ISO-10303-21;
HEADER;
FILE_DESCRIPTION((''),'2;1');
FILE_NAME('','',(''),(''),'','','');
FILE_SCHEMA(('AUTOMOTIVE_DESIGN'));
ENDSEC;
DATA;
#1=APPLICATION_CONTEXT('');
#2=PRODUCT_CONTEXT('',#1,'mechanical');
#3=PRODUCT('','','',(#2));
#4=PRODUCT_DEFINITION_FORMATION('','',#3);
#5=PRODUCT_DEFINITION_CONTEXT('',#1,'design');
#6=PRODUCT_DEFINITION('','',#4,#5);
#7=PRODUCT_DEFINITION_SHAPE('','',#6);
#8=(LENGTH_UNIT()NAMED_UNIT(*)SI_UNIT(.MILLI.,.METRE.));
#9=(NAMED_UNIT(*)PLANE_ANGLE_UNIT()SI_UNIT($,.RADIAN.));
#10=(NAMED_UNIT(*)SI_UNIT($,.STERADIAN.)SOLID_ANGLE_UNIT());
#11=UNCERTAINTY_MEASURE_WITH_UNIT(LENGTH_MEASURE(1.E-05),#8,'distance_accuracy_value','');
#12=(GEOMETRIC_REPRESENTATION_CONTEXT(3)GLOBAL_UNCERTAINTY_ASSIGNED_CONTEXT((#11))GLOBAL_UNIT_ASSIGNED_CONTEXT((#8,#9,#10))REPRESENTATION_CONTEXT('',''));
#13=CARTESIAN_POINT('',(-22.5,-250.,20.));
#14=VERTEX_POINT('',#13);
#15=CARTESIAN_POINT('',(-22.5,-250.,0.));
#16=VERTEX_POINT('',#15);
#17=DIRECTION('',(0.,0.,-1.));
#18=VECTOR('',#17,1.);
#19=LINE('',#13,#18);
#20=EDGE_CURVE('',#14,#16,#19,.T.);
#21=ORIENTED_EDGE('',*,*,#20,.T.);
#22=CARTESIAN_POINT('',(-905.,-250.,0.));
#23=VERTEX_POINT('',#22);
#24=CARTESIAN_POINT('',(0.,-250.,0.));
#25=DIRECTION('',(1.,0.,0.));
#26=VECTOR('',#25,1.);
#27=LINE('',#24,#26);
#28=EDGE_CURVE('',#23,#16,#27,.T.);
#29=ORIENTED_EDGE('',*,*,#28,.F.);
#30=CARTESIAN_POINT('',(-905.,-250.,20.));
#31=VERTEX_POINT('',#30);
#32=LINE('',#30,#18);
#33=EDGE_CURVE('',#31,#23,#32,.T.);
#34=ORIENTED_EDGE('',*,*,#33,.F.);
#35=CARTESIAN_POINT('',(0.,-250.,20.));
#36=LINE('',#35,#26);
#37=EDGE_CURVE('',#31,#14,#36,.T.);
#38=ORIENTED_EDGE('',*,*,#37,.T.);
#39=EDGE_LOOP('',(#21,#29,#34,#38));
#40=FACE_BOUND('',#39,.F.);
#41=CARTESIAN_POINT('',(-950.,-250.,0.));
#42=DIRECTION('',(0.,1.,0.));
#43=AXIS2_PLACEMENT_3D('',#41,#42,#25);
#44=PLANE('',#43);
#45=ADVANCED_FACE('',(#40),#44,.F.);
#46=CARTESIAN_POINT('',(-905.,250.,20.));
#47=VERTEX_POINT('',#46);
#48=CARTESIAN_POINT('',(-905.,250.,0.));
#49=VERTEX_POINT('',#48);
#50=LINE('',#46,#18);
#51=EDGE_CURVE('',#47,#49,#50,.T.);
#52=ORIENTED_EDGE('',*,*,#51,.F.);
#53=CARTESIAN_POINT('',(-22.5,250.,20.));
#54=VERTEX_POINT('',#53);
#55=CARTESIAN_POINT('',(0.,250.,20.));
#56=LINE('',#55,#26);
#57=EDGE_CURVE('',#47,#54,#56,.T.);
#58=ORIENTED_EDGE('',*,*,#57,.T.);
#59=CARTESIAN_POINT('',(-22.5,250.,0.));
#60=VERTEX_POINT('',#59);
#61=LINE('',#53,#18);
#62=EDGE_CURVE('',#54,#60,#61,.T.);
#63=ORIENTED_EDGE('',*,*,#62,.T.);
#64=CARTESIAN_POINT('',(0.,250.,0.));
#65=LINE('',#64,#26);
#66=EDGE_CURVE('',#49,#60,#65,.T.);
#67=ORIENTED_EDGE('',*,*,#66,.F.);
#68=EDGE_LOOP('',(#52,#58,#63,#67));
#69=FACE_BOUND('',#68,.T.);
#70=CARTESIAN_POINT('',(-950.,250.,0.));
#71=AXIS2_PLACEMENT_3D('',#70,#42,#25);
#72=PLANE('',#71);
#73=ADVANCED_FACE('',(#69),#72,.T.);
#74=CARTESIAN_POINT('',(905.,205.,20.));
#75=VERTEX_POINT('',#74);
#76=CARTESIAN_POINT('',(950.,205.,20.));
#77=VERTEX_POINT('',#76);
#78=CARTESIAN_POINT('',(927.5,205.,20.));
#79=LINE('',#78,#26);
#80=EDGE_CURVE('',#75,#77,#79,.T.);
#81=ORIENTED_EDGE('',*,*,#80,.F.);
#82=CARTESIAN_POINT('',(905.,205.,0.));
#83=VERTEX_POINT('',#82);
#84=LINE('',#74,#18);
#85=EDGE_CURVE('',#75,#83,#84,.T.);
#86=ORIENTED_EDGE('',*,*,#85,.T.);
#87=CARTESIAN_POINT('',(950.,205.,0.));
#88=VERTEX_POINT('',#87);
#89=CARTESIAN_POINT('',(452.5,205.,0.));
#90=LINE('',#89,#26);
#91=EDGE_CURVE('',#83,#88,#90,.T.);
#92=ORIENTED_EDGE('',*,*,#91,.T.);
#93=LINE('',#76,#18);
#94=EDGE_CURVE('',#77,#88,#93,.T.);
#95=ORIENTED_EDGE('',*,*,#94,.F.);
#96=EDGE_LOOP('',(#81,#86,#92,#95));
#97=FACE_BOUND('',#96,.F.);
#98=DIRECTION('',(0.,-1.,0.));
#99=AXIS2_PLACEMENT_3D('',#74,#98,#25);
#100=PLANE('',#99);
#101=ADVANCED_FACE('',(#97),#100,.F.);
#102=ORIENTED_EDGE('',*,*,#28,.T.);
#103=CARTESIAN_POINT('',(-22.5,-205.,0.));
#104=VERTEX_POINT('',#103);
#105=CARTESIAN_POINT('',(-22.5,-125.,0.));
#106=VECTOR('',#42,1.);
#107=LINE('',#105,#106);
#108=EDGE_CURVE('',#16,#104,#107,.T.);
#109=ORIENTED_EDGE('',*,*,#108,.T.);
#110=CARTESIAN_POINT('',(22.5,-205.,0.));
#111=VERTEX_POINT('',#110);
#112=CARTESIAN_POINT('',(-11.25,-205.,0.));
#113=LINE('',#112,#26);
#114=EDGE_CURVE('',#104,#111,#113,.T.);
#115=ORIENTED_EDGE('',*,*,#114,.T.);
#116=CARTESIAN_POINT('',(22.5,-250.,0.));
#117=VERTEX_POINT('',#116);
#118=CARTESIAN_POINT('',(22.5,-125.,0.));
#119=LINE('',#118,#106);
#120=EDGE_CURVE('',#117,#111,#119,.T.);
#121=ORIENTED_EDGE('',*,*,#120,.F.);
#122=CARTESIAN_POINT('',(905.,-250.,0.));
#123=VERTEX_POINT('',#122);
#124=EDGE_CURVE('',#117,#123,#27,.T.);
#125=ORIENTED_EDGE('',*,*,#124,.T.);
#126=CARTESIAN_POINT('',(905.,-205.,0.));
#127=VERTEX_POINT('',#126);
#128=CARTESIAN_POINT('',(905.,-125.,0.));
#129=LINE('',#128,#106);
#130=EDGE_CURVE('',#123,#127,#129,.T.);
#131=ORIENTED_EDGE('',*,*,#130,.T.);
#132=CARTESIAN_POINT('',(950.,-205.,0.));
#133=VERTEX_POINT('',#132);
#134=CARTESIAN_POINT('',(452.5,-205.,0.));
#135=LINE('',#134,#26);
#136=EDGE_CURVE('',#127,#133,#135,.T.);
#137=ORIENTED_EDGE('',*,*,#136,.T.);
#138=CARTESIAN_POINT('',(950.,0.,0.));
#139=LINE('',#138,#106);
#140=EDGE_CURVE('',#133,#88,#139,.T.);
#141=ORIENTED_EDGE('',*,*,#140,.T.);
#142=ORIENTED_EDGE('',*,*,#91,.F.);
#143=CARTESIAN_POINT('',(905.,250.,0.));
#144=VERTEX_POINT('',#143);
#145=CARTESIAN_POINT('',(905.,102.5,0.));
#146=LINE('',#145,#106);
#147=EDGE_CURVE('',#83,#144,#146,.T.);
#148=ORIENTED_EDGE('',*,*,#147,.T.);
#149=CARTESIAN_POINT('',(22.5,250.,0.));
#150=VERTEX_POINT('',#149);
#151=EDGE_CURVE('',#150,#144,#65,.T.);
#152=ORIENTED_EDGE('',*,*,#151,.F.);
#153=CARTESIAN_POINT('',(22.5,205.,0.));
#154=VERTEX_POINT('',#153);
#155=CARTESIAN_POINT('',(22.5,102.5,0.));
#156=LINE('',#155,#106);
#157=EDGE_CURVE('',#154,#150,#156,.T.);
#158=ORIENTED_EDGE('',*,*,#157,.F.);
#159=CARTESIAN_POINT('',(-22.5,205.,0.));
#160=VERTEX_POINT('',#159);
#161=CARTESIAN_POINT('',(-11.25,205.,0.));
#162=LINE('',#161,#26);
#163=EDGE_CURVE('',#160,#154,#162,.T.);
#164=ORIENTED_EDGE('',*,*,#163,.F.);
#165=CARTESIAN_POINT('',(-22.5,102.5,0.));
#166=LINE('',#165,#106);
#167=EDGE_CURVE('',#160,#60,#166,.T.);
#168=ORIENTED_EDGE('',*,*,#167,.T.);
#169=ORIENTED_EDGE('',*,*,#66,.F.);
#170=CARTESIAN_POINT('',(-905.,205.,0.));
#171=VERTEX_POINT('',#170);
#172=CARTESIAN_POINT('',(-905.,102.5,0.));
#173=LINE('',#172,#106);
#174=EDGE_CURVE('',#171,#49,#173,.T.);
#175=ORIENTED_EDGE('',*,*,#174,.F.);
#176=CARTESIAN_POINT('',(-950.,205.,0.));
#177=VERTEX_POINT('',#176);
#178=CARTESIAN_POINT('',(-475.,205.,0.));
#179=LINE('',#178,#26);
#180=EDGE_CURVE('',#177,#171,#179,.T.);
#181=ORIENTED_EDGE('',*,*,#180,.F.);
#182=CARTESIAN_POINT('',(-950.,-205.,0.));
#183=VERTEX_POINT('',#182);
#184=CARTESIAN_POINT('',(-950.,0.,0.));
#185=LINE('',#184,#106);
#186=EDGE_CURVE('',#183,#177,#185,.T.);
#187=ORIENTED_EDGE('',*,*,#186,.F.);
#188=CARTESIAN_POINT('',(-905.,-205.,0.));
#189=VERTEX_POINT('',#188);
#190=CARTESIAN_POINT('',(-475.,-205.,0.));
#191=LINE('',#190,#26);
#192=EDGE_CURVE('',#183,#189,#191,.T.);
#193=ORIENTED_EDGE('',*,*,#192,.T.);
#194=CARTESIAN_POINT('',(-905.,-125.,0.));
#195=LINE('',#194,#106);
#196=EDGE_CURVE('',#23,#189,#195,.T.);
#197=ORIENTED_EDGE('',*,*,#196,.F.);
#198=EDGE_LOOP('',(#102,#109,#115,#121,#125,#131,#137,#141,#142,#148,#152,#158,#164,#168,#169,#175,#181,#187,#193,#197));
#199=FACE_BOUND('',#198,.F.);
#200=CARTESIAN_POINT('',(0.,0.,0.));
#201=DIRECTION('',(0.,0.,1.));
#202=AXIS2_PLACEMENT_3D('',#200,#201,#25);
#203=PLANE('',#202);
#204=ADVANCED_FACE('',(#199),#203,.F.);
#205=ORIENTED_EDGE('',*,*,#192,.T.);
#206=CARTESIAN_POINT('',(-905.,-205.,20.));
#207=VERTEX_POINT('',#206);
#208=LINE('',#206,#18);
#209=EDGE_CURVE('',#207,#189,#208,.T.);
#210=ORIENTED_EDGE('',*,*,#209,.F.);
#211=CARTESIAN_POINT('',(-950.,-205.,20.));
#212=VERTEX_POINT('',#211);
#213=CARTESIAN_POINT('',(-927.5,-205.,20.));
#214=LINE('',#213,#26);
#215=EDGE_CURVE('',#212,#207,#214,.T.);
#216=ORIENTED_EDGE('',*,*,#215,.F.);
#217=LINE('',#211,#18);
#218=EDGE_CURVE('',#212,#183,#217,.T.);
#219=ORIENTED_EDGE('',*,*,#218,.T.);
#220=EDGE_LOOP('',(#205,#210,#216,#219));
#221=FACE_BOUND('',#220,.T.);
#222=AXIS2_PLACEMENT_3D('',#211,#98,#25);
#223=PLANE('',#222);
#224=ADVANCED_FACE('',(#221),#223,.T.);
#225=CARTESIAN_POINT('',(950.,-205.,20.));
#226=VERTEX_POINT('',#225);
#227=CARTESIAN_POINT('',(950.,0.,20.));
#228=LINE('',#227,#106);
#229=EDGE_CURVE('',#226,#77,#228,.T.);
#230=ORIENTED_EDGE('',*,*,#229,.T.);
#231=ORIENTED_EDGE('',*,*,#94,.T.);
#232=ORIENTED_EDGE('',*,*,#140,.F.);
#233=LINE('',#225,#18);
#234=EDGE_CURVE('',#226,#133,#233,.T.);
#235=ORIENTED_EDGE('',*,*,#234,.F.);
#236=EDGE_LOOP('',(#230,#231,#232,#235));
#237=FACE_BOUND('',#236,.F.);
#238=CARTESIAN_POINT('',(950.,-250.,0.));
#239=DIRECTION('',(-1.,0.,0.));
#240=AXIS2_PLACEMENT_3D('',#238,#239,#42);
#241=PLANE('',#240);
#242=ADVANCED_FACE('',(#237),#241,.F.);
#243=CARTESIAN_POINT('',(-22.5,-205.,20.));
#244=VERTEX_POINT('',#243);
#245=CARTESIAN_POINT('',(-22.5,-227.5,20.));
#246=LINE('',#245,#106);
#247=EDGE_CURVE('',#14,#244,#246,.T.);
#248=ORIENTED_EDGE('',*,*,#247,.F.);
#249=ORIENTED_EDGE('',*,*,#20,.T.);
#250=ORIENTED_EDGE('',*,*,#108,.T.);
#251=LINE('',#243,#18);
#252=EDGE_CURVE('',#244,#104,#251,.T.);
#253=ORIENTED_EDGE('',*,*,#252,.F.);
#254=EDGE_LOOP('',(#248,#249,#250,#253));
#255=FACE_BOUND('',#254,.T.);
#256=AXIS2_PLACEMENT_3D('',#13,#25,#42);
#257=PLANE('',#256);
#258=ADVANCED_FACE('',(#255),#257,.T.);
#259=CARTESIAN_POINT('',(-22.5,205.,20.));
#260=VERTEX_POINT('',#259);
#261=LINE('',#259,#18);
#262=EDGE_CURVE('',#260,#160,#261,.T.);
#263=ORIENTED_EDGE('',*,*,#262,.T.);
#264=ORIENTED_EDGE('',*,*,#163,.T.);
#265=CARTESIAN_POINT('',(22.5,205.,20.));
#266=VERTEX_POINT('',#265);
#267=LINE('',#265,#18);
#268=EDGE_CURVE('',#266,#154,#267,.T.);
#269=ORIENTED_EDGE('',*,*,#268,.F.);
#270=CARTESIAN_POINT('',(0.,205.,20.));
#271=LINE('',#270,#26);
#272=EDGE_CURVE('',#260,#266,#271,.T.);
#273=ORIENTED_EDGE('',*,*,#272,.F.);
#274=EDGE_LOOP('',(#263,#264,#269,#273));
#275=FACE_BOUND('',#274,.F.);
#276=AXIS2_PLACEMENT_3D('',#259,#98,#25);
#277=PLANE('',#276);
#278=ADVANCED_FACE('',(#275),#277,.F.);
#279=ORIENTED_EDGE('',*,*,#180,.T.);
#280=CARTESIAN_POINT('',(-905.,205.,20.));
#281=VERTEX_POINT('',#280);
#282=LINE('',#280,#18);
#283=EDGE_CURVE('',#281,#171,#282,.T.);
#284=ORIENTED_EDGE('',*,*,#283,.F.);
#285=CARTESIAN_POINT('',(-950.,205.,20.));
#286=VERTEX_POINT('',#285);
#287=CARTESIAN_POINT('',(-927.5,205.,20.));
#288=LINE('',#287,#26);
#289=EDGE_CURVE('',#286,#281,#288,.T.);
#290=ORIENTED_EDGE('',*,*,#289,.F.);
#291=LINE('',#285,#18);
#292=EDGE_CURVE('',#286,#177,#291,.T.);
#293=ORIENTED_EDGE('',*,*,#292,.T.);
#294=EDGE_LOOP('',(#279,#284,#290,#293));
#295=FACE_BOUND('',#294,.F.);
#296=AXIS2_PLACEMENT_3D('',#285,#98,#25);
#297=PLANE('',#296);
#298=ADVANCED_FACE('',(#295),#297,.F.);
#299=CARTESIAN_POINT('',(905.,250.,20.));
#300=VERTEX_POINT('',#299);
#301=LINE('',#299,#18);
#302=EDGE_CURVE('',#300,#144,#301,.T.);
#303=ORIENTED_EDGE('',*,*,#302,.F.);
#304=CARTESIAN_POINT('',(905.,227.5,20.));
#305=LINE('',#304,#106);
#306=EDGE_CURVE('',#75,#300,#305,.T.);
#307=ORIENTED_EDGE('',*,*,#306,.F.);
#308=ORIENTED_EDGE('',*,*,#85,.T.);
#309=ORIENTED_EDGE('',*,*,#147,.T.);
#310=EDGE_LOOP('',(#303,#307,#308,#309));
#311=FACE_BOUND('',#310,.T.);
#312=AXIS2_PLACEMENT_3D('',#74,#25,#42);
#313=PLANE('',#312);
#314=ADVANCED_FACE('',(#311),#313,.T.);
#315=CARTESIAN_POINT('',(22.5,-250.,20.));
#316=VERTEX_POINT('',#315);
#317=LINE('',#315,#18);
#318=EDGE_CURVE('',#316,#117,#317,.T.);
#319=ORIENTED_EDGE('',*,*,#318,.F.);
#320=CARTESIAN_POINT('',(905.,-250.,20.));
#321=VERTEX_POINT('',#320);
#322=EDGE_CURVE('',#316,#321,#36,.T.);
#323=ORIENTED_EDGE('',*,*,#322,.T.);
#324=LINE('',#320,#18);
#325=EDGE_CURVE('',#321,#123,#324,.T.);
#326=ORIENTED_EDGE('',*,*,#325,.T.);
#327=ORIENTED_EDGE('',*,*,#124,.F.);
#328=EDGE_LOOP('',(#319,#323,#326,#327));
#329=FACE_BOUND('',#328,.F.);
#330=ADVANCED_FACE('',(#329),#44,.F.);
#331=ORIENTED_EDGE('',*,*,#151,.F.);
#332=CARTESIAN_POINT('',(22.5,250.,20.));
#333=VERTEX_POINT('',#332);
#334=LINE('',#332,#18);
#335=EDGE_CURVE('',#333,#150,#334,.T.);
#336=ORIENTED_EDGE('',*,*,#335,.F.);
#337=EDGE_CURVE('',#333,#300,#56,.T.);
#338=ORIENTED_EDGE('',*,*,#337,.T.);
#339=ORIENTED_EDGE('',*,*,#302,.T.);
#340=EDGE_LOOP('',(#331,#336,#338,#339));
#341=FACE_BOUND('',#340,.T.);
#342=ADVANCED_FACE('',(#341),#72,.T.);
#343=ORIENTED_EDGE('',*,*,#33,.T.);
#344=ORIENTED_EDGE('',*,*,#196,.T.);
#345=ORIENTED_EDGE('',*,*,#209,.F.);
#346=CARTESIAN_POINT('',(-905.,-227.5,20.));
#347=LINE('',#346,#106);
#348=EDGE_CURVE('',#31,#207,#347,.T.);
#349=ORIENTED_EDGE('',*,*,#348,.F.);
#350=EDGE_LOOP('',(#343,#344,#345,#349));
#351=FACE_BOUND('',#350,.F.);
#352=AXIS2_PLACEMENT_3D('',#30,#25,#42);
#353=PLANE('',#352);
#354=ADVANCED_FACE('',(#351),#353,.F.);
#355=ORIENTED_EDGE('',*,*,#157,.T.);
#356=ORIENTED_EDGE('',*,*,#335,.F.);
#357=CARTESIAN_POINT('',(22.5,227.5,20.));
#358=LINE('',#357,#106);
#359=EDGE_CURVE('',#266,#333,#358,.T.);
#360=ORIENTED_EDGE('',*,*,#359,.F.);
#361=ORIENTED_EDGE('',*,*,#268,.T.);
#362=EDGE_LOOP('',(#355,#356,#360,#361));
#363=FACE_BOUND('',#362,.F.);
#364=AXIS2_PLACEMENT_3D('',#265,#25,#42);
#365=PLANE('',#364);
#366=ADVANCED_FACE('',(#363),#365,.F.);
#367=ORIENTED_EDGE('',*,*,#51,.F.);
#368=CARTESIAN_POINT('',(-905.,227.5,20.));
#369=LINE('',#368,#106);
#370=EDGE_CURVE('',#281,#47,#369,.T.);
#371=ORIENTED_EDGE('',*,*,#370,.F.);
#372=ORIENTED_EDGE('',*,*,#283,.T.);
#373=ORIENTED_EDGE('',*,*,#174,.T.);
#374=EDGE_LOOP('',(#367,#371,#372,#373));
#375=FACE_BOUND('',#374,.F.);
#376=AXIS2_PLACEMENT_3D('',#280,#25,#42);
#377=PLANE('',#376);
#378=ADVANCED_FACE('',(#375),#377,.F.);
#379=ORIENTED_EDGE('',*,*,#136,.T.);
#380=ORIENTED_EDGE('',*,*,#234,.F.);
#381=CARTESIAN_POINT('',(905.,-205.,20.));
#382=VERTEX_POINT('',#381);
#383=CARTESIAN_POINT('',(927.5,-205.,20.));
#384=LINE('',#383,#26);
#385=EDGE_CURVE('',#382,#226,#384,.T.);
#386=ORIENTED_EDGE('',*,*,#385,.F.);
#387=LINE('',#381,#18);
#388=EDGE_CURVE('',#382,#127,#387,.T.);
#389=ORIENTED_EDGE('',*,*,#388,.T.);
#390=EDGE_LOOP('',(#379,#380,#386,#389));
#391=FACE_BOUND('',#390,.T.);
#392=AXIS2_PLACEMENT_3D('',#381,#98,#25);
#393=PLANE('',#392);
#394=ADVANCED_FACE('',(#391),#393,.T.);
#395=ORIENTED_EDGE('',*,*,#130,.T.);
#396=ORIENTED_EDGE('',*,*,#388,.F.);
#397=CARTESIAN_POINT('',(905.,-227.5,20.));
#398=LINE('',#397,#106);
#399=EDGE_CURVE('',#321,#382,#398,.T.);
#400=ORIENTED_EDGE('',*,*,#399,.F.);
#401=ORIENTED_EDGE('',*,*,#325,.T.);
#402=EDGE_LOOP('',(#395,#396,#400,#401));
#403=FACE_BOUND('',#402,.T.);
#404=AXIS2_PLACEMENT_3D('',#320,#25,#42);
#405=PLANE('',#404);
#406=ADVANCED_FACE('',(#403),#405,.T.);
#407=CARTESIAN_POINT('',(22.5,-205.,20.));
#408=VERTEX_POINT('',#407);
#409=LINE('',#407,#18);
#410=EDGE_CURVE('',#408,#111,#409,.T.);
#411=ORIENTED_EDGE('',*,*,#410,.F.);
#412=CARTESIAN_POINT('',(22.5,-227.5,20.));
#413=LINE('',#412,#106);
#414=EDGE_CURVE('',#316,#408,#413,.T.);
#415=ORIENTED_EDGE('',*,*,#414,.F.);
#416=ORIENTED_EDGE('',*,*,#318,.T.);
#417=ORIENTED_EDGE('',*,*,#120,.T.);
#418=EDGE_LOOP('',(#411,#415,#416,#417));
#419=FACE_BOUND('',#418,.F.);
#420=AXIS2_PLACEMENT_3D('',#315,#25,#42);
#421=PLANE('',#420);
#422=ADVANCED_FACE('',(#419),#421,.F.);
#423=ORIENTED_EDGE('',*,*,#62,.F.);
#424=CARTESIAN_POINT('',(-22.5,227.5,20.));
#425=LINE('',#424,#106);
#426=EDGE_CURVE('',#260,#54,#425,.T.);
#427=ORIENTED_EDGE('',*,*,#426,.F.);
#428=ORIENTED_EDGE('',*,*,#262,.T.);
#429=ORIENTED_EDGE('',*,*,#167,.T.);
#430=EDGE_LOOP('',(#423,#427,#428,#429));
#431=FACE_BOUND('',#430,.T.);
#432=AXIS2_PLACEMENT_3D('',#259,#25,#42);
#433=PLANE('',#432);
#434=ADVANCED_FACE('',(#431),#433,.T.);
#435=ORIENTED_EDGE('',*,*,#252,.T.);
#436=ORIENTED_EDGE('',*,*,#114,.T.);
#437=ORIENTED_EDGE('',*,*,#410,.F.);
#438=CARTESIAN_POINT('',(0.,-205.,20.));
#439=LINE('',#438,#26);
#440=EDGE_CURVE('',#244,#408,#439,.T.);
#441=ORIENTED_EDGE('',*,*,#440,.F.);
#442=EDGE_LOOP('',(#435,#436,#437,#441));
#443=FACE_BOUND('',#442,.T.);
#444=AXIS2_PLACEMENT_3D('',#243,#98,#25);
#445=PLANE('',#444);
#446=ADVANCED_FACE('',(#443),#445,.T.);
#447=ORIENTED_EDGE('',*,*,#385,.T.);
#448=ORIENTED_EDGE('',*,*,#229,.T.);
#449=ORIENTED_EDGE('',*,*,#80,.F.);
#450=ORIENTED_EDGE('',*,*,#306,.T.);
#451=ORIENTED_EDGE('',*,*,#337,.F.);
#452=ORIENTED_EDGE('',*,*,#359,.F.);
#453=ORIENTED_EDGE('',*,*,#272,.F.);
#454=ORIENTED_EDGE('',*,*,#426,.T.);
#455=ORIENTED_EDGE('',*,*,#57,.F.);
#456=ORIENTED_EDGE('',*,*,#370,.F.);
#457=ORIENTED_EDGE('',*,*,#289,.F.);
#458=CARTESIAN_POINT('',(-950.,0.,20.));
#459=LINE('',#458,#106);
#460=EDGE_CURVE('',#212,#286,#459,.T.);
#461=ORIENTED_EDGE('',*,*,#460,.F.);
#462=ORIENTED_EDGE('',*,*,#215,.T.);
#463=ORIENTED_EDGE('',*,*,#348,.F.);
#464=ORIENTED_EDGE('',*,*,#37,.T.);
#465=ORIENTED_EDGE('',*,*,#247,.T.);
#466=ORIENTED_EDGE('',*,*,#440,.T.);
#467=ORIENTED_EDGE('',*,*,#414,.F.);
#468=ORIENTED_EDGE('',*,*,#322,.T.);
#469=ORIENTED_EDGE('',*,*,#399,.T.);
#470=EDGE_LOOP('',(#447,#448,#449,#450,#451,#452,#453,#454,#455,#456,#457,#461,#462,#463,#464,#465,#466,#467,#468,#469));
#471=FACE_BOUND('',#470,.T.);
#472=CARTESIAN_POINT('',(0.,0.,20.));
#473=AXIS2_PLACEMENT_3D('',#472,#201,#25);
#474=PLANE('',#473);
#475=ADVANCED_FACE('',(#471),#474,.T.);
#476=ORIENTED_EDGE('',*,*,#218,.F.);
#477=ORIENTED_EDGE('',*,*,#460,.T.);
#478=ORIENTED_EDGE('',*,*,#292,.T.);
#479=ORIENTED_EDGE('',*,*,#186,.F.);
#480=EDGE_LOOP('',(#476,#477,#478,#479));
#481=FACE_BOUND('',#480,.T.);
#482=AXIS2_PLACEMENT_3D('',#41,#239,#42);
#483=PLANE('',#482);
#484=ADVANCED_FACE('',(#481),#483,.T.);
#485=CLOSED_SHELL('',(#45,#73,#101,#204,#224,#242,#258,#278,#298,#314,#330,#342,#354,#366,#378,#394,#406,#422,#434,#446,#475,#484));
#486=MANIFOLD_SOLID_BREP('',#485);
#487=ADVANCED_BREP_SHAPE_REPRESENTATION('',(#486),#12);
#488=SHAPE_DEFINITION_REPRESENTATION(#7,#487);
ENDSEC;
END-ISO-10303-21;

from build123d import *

# Parameters (mm, degrees)
F0_W     = 1900
F0_H     = 500
F1_DEPTH = 20
F2_W     = 45
F2_H     = 45
F3_DEPTH = 20.001


with BuildPart() as f1:
    # F0 (on Top) → F1 (new body)
    with BuildSketch(Plane.XY):
        Rectangle(F0_W, F0_H)
    extrude(amount=F1_DEPTH)

    # F2 (on face) → F3 (cut, through all)
    with BuildSketch(Plane.XY.offset(20)):
        with Locations((-927.5, 227.5)):
            Rectangle(F2_W, F2_H)
        with Locations((-927.5, -227.5)):
            Rectangle(F2_W, F2_H)
        with Locations((927.5, 227.5)):
            Rectangle(F2_W, F2_H)
        with Locations((927.5, -227.5)):
            Rectangle(F2_W, F2_H)
        with Locations((0, 227.5)):
            Rectangle(F2_W, F2_H)
        with Locations((0, -227.5)):
            Rectangle(F2_W, F2_H)
    extrude(amount=-F3_DEPTH, mode=Mode.SUBTRACT)


solid = f1.part
